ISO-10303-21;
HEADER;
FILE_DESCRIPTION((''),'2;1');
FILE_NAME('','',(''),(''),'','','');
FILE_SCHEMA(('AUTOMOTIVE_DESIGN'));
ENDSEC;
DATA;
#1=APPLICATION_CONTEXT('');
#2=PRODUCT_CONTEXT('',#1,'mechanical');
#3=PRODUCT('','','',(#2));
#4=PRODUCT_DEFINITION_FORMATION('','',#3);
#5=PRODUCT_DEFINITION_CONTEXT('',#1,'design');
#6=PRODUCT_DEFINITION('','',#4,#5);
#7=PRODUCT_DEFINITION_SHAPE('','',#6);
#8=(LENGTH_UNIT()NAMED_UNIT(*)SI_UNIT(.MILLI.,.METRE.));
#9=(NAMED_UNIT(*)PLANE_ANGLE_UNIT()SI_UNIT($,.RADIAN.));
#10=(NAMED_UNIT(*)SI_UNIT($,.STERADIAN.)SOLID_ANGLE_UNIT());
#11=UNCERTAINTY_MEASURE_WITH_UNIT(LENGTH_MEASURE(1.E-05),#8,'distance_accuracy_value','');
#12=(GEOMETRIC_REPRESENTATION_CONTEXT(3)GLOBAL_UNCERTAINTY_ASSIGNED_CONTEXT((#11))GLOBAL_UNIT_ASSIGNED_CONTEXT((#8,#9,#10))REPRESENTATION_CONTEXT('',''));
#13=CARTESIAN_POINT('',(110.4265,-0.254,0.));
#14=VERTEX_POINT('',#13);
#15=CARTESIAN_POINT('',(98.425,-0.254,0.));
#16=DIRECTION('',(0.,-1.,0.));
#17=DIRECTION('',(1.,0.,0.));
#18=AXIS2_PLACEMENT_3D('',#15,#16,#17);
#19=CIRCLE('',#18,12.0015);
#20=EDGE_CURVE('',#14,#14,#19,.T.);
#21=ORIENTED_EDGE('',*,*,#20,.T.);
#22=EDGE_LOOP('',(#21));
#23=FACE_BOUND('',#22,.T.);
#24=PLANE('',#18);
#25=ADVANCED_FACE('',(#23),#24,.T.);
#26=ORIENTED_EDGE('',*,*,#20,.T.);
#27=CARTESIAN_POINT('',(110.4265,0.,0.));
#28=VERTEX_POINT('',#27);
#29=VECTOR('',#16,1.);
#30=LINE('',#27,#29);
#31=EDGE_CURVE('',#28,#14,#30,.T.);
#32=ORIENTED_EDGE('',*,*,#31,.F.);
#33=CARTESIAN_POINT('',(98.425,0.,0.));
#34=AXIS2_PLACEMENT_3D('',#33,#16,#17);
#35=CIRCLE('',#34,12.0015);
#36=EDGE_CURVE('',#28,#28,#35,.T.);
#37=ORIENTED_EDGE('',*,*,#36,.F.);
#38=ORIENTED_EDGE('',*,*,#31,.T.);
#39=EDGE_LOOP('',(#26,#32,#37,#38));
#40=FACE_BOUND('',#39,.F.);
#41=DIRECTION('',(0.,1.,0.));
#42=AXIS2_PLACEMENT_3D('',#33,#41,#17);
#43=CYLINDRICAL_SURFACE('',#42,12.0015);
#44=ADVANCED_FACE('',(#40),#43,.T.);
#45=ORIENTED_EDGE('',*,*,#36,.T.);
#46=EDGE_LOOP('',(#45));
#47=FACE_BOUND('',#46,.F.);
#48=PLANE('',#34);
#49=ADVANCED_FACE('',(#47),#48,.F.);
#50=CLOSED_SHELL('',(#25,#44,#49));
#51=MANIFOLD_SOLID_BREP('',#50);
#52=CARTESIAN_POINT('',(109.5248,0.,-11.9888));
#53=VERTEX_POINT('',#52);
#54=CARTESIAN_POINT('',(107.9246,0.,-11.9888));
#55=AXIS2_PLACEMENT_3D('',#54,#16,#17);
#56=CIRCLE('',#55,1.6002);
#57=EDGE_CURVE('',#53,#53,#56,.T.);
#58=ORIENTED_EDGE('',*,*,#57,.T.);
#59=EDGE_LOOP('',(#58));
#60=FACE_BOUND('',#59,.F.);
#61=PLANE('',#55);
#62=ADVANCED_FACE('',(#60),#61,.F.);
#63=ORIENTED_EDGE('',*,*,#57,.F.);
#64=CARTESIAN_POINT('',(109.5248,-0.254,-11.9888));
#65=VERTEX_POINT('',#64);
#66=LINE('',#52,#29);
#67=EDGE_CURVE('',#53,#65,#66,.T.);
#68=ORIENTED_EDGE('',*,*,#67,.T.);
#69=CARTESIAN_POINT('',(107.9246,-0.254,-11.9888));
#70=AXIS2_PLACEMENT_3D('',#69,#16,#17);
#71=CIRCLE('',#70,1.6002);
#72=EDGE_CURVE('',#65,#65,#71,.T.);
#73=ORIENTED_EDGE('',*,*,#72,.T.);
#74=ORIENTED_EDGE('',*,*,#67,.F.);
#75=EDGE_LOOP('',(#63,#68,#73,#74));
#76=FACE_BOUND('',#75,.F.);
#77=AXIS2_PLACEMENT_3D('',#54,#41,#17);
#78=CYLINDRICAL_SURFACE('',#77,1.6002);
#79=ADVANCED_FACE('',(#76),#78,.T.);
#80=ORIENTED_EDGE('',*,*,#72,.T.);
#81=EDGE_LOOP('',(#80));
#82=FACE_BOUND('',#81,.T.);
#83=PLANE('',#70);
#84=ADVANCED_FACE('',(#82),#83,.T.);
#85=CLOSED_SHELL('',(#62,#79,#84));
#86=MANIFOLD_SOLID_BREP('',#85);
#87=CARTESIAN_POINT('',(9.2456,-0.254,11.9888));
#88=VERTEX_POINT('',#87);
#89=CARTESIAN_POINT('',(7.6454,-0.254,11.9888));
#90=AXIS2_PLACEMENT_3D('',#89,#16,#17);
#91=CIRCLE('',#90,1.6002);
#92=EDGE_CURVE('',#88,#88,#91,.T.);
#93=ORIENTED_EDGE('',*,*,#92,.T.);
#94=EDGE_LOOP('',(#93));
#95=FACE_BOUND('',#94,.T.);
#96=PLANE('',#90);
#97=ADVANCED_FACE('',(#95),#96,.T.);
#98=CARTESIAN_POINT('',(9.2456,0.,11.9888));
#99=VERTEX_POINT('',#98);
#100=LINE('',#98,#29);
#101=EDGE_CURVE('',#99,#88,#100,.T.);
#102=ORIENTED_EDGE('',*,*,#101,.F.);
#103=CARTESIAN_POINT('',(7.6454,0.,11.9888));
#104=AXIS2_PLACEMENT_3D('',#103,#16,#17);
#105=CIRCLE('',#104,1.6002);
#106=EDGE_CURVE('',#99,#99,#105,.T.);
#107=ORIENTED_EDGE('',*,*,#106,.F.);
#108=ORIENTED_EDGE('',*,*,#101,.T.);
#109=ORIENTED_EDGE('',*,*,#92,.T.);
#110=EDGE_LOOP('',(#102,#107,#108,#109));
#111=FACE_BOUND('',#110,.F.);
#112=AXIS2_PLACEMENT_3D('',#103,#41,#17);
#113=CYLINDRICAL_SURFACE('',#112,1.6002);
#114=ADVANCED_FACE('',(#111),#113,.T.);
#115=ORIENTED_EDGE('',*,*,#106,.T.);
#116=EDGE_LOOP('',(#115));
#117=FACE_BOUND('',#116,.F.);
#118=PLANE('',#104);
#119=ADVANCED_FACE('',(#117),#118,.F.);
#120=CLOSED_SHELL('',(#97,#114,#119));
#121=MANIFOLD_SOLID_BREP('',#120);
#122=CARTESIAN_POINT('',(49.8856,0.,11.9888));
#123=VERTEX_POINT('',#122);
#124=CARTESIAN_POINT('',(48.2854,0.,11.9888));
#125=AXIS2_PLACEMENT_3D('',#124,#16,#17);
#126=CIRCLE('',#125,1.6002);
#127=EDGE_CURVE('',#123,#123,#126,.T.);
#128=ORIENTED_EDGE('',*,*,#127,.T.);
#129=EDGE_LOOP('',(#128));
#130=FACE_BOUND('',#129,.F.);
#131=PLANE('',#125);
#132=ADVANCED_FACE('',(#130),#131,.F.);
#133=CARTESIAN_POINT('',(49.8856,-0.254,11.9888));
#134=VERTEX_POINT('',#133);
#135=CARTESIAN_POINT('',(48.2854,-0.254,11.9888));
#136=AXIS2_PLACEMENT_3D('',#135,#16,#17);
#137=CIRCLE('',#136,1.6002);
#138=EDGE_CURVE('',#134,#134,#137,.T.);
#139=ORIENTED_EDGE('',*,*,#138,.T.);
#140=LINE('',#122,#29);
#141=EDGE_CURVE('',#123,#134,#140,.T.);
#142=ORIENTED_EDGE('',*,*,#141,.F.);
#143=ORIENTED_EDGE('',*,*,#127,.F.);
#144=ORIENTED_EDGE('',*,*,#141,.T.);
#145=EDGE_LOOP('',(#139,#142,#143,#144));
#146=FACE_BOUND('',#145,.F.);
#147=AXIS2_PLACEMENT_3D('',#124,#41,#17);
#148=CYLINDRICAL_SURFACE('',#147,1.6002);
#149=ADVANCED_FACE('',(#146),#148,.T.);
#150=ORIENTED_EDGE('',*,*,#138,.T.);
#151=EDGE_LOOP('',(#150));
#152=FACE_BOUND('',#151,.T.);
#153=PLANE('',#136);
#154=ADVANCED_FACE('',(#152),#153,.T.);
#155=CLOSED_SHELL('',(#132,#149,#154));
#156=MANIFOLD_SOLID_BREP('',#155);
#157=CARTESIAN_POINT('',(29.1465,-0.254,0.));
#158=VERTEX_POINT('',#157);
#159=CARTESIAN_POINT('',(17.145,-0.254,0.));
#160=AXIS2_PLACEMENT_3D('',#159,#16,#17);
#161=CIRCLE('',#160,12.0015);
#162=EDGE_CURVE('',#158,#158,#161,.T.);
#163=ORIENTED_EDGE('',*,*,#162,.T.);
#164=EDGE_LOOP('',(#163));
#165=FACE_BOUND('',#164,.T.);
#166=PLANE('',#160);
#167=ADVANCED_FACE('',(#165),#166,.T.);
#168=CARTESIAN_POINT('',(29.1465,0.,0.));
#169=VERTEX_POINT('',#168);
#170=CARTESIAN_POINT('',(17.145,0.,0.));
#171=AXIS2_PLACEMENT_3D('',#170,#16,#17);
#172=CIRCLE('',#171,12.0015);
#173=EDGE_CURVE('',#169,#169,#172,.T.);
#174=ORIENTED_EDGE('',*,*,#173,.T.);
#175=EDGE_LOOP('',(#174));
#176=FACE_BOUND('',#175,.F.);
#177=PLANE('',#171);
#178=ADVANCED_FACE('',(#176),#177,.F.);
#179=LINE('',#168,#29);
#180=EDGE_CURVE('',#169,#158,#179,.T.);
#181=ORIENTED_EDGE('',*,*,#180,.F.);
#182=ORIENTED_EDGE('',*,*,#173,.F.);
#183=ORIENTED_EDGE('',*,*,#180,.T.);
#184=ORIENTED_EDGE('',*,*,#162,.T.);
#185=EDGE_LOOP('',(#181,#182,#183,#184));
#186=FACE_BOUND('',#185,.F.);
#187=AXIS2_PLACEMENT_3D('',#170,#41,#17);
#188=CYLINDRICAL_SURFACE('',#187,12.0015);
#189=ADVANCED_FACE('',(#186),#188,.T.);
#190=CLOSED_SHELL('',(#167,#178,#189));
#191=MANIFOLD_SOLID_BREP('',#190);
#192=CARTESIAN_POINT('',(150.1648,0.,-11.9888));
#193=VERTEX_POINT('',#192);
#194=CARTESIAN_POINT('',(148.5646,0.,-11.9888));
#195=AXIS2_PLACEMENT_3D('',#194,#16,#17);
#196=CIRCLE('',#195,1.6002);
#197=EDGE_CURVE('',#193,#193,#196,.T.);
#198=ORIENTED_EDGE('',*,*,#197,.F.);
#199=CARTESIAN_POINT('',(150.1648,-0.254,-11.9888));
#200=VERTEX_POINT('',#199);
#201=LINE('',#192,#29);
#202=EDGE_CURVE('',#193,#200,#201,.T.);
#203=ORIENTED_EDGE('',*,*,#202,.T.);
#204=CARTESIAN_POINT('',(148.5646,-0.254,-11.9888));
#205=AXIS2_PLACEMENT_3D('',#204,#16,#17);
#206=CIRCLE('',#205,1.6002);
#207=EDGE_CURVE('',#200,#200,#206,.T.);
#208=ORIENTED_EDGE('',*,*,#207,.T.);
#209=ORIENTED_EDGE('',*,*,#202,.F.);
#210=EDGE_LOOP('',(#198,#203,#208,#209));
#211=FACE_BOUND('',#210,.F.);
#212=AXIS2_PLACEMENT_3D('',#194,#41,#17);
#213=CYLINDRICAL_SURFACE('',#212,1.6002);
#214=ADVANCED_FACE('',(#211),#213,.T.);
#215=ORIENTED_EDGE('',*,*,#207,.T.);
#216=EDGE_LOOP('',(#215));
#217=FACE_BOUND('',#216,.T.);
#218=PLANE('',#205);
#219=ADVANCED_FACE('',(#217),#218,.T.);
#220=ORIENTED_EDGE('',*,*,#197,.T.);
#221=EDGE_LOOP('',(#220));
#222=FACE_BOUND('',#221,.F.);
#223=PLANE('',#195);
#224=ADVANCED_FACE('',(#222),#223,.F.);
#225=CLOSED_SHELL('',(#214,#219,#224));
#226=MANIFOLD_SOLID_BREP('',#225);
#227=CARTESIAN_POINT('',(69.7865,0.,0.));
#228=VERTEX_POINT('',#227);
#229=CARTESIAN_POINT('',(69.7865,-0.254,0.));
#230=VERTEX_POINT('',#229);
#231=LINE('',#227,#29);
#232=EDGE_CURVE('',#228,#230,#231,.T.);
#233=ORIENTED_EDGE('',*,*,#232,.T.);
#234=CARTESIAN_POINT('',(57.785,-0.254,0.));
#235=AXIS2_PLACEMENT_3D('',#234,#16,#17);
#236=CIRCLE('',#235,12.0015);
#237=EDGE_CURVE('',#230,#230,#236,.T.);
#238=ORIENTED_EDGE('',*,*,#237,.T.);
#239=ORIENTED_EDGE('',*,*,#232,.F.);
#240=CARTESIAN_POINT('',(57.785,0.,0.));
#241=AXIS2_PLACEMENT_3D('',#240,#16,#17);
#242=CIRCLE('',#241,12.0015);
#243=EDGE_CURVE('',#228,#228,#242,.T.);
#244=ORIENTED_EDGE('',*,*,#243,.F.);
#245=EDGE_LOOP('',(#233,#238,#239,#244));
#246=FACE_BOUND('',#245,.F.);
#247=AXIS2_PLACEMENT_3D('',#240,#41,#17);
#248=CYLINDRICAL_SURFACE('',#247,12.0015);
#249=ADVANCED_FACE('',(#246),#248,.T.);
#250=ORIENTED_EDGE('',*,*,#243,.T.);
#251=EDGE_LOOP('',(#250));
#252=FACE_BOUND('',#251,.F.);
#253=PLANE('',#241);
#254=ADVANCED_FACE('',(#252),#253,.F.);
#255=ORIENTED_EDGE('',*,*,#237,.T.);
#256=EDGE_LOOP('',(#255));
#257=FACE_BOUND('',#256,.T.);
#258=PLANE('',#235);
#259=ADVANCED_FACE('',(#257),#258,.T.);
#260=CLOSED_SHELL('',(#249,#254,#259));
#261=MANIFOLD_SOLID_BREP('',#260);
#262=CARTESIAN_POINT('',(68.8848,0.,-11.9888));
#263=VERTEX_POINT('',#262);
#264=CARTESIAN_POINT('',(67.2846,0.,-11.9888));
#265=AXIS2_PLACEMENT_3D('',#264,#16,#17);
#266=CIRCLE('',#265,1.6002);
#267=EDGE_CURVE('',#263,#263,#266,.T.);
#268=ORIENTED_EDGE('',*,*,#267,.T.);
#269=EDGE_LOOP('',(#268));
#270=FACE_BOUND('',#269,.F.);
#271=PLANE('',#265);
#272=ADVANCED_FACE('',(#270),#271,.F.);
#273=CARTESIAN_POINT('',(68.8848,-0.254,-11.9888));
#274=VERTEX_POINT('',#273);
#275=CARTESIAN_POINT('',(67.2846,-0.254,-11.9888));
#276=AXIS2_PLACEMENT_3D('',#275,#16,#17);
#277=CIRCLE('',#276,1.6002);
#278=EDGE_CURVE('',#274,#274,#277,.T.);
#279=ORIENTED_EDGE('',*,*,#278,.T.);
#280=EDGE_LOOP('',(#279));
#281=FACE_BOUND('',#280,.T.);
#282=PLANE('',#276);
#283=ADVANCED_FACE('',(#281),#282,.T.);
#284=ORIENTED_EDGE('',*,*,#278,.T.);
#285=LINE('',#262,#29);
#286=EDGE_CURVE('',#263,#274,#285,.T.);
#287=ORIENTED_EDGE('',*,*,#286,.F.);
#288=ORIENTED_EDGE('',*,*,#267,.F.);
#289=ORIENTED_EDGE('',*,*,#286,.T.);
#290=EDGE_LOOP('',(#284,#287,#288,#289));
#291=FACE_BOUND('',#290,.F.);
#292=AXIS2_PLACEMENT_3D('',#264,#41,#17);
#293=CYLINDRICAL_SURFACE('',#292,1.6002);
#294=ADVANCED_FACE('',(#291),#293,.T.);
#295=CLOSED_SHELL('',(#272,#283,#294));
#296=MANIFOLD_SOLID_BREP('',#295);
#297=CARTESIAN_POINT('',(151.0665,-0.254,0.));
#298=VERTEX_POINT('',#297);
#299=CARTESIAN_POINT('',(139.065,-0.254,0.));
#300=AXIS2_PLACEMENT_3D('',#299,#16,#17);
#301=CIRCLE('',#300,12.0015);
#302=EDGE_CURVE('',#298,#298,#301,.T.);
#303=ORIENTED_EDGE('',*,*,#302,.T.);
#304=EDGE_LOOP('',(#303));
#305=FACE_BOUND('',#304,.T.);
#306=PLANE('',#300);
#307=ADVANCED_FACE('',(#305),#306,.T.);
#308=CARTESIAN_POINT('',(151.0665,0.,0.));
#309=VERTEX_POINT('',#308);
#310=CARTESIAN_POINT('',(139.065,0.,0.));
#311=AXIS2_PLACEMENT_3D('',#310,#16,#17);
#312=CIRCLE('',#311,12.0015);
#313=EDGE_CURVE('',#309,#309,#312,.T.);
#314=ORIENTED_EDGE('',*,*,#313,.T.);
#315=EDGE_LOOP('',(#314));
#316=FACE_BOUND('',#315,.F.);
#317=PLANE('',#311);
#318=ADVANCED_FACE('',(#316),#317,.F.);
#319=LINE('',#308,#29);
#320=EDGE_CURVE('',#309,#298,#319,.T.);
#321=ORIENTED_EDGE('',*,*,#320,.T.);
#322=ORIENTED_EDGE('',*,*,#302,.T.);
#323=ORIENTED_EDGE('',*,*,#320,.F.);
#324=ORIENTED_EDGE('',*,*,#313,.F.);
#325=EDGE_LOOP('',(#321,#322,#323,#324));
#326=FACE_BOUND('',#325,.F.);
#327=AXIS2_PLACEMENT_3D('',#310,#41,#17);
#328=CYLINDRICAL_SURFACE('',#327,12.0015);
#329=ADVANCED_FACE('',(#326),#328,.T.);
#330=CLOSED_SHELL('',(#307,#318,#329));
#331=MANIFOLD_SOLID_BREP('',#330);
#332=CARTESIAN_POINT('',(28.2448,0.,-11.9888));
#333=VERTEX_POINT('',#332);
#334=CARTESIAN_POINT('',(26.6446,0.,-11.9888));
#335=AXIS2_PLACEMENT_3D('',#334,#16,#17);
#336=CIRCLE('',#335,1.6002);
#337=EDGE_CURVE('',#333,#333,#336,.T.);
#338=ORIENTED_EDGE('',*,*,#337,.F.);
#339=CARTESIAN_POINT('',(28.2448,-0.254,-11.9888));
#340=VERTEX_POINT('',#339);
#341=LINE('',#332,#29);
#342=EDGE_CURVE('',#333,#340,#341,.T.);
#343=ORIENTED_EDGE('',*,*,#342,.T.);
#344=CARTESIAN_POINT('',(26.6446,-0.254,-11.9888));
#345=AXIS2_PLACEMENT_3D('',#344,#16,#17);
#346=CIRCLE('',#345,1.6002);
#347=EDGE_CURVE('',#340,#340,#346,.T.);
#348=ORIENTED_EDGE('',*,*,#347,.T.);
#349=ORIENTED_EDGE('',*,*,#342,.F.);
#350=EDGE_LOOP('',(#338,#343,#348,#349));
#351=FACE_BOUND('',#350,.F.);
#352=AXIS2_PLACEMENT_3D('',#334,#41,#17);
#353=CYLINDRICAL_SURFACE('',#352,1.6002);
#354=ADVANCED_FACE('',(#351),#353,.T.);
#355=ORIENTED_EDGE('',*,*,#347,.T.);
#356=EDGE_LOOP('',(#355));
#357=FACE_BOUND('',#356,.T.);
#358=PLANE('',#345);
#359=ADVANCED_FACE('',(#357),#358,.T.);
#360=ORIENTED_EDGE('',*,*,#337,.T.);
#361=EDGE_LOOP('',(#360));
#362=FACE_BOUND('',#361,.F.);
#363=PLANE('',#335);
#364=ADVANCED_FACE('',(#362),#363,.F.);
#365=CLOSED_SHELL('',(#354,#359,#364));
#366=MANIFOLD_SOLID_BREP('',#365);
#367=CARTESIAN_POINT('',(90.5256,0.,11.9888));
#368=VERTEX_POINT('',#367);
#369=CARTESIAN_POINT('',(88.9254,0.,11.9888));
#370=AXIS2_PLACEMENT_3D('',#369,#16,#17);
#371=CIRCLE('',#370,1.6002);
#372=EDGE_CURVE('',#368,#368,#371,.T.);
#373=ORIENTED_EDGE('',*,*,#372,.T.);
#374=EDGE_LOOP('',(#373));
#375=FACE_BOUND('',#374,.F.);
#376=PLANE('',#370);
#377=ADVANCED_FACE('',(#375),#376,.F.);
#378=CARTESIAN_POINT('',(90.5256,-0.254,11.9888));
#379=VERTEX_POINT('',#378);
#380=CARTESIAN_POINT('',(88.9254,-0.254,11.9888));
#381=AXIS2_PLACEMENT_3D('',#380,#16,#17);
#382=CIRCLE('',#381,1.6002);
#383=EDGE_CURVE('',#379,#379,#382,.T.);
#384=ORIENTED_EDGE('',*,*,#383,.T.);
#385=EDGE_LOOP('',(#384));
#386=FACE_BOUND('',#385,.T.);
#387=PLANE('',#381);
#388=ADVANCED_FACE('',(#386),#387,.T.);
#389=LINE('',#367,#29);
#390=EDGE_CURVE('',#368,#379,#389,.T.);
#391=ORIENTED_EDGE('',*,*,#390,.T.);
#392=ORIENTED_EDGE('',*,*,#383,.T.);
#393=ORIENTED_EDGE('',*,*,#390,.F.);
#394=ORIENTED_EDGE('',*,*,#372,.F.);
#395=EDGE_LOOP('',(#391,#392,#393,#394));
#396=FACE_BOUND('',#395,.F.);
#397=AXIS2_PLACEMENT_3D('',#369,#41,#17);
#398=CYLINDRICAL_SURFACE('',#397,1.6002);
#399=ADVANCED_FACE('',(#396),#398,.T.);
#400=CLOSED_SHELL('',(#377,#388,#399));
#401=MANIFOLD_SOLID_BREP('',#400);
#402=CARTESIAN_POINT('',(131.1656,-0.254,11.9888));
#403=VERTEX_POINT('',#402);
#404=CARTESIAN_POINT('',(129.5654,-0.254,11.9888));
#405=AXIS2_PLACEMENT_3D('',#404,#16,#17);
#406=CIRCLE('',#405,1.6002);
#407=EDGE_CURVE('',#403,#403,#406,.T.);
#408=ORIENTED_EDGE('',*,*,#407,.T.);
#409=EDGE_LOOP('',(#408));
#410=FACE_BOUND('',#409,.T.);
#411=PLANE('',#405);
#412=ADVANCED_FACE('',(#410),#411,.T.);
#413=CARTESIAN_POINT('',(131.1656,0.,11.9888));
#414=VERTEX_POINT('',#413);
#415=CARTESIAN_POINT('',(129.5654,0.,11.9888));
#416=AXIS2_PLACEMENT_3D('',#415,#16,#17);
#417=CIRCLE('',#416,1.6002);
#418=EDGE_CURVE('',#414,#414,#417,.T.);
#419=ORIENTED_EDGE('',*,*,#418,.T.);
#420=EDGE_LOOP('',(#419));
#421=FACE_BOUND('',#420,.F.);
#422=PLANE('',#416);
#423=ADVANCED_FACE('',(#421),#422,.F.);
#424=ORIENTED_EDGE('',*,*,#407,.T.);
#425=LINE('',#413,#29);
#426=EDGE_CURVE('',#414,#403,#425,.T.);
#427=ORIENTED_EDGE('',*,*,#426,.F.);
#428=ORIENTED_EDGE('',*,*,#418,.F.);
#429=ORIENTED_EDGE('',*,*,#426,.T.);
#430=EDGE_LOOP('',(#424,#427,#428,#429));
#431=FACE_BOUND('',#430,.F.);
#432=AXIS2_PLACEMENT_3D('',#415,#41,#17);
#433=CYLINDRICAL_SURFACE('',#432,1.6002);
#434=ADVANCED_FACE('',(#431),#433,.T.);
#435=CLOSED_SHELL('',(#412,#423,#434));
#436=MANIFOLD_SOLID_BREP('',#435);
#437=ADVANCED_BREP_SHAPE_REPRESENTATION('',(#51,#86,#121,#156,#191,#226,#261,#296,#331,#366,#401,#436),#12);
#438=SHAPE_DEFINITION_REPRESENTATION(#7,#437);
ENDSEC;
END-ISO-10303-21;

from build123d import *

# Parameters (mm, degrees)
F0_R     = 12.0015
F0_R_2   = 1.6002
F1_DEPTH = 0.254


with BuildPart() as f1:
    # F0 (on Front) → F1 (new body)
    with BuildSketch(Plane.XZ):
        with Locations((17.145, 0)):
            Circle(F0_R)
        with Locations((7.6454, 11.9888)):
            Circle(F0_R_2)
        with Locations((26.6446, -11.9888)):
            Circle(F0_R_2)
        with Locations((57.785, 0)):
            Circle(F0_R)
        with Locations((48.2854, 11.9888)):
            Circle(F0_R_2)
        with Locations((67.2846, -11.9888)):
            Circle(F0_R_2)
        with Locations((98.425, 0)):
            Circle(F0_R)
        with Locations((88.9254, 11.9888)):
            Circle(F0_R_2)
        with Locations((107.9246, -11.9888)):
            Circle(F0_R_2)
        with Locations((139.065, 0)):
            Circle(F0_R)
        with Locations((129.5654, 11.9888)):
            Circle(F0_R_2)
        with Locations((148.5646, -11.9888)):
            Circle(F0_R_2)
    extrude(amount=F1_DEPTH)


solid = f1.part
